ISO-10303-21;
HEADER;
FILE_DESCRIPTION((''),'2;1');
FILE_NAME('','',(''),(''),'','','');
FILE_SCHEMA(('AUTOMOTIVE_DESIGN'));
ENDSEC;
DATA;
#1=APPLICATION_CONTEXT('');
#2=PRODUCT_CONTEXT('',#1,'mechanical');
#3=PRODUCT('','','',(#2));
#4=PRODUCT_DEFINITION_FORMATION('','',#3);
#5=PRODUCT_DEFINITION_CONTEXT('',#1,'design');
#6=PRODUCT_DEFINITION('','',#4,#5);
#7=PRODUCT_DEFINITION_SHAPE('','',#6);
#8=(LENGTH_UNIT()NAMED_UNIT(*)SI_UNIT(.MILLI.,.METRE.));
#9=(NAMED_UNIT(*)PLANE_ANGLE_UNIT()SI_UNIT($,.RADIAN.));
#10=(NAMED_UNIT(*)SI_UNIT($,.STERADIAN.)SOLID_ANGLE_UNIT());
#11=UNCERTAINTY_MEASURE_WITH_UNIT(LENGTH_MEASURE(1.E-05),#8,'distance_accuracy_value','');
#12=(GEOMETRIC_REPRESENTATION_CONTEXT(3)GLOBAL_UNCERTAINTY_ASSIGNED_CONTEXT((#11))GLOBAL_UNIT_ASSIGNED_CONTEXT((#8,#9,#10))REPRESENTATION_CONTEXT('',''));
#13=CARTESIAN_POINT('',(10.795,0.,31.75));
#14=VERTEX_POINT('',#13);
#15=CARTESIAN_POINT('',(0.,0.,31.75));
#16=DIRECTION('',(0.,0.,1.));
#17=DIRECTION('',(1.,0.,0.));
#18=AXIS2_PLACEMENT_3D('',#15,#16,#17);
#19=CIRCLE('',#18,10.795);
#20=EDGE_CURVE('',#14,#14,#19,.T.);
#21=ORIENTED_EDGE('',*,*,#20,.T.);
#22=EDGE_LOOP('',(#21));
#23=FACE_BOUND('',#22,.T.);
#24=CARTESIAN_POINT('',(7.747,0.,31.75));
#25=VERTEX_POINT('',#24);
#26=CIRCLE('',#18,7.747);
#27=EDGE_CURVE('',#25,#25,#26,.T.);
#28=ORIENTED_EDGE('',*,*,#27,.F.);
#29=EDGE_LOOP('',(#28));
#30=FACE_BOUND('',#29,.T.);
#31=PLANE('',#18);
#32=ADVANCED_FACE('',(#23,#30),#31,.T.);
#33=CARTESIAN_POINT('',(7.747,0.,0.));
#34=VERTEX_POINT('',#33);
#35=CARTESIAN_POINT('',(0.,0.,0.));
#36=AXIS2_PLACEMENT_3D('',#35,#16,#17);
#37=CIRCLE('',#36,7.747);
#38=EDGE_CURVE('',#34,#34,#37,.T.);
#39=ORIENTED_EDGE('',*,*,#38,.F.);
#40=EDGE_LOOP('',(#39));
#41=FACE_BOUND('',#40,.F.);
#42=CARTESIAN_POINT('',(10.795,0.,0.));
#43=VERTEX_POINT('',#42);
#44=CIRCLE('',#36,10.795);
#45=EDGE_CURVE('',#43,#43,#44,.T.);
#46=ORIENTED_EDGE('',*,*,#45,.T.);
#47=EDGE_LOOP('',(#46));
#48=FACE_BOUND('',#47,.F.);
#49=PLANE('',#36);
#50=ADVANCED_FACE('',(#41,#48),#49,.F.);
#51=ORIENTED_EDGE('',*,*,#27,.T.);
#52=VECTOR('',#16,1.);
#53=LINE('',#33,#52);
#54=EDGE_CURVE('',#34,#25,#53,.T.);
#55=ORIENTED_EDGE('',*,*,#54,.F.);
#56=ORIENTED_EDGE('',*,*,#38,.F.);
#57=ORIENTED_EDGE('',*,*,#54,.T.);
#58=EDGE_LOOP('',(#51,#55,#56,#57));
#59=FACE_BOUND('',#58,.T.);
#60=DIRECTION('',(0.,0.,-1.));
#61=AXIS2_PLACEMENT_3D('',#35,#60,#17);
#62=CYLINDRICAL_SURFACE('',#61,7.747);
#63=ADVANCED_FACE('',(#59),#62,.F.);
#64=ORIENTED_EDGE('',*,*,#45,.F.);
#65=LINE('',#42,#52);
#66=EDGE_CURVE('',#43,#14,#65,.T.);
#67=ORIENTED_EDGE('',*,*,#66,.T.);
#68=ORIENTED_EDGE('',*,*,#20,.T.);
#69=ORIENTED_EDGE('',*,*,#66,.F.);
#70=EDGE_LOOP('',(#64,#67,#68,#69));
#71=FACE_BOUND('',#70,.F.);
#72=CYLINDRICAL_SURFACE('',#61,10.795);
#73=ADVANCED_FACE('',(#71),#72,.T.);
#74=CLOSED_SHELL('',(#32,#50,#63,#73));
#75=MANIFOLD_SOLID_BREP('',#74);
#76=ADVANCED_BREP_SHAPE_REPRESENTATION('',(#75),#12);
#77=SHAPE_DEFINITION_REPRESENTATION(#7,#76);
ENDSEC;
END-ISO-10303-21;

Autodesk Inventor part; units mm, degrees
ref_plane "YZ Plane" through (0, 0, 0) normal (1, 0, 0) x (0, 1, 0)
ref_plane "XZ Plane" through (0, 0, 0) normal (0, 1, 0) x (-1, 0, 0)
ref_plane "XY Plane" through (0, 0, 0) normal (0, 0, 1) x (1, 0, 0)
sketch "Sketch1" plane through (0, 0, 0) normal (0, 0, 1) x (1, 0, 0)
  circle A0 centre (0, 0) radius 7.747
  circle A1 centre (0, 0) radius 10.795
  dimension "d0" = 21.59
  dimension "d2" = 15.494
extrude "Extrusion1" add sketch "Sketch1" along normal blind 31.75
properties part number "Cap Pipe" material "PVC-Piping"
